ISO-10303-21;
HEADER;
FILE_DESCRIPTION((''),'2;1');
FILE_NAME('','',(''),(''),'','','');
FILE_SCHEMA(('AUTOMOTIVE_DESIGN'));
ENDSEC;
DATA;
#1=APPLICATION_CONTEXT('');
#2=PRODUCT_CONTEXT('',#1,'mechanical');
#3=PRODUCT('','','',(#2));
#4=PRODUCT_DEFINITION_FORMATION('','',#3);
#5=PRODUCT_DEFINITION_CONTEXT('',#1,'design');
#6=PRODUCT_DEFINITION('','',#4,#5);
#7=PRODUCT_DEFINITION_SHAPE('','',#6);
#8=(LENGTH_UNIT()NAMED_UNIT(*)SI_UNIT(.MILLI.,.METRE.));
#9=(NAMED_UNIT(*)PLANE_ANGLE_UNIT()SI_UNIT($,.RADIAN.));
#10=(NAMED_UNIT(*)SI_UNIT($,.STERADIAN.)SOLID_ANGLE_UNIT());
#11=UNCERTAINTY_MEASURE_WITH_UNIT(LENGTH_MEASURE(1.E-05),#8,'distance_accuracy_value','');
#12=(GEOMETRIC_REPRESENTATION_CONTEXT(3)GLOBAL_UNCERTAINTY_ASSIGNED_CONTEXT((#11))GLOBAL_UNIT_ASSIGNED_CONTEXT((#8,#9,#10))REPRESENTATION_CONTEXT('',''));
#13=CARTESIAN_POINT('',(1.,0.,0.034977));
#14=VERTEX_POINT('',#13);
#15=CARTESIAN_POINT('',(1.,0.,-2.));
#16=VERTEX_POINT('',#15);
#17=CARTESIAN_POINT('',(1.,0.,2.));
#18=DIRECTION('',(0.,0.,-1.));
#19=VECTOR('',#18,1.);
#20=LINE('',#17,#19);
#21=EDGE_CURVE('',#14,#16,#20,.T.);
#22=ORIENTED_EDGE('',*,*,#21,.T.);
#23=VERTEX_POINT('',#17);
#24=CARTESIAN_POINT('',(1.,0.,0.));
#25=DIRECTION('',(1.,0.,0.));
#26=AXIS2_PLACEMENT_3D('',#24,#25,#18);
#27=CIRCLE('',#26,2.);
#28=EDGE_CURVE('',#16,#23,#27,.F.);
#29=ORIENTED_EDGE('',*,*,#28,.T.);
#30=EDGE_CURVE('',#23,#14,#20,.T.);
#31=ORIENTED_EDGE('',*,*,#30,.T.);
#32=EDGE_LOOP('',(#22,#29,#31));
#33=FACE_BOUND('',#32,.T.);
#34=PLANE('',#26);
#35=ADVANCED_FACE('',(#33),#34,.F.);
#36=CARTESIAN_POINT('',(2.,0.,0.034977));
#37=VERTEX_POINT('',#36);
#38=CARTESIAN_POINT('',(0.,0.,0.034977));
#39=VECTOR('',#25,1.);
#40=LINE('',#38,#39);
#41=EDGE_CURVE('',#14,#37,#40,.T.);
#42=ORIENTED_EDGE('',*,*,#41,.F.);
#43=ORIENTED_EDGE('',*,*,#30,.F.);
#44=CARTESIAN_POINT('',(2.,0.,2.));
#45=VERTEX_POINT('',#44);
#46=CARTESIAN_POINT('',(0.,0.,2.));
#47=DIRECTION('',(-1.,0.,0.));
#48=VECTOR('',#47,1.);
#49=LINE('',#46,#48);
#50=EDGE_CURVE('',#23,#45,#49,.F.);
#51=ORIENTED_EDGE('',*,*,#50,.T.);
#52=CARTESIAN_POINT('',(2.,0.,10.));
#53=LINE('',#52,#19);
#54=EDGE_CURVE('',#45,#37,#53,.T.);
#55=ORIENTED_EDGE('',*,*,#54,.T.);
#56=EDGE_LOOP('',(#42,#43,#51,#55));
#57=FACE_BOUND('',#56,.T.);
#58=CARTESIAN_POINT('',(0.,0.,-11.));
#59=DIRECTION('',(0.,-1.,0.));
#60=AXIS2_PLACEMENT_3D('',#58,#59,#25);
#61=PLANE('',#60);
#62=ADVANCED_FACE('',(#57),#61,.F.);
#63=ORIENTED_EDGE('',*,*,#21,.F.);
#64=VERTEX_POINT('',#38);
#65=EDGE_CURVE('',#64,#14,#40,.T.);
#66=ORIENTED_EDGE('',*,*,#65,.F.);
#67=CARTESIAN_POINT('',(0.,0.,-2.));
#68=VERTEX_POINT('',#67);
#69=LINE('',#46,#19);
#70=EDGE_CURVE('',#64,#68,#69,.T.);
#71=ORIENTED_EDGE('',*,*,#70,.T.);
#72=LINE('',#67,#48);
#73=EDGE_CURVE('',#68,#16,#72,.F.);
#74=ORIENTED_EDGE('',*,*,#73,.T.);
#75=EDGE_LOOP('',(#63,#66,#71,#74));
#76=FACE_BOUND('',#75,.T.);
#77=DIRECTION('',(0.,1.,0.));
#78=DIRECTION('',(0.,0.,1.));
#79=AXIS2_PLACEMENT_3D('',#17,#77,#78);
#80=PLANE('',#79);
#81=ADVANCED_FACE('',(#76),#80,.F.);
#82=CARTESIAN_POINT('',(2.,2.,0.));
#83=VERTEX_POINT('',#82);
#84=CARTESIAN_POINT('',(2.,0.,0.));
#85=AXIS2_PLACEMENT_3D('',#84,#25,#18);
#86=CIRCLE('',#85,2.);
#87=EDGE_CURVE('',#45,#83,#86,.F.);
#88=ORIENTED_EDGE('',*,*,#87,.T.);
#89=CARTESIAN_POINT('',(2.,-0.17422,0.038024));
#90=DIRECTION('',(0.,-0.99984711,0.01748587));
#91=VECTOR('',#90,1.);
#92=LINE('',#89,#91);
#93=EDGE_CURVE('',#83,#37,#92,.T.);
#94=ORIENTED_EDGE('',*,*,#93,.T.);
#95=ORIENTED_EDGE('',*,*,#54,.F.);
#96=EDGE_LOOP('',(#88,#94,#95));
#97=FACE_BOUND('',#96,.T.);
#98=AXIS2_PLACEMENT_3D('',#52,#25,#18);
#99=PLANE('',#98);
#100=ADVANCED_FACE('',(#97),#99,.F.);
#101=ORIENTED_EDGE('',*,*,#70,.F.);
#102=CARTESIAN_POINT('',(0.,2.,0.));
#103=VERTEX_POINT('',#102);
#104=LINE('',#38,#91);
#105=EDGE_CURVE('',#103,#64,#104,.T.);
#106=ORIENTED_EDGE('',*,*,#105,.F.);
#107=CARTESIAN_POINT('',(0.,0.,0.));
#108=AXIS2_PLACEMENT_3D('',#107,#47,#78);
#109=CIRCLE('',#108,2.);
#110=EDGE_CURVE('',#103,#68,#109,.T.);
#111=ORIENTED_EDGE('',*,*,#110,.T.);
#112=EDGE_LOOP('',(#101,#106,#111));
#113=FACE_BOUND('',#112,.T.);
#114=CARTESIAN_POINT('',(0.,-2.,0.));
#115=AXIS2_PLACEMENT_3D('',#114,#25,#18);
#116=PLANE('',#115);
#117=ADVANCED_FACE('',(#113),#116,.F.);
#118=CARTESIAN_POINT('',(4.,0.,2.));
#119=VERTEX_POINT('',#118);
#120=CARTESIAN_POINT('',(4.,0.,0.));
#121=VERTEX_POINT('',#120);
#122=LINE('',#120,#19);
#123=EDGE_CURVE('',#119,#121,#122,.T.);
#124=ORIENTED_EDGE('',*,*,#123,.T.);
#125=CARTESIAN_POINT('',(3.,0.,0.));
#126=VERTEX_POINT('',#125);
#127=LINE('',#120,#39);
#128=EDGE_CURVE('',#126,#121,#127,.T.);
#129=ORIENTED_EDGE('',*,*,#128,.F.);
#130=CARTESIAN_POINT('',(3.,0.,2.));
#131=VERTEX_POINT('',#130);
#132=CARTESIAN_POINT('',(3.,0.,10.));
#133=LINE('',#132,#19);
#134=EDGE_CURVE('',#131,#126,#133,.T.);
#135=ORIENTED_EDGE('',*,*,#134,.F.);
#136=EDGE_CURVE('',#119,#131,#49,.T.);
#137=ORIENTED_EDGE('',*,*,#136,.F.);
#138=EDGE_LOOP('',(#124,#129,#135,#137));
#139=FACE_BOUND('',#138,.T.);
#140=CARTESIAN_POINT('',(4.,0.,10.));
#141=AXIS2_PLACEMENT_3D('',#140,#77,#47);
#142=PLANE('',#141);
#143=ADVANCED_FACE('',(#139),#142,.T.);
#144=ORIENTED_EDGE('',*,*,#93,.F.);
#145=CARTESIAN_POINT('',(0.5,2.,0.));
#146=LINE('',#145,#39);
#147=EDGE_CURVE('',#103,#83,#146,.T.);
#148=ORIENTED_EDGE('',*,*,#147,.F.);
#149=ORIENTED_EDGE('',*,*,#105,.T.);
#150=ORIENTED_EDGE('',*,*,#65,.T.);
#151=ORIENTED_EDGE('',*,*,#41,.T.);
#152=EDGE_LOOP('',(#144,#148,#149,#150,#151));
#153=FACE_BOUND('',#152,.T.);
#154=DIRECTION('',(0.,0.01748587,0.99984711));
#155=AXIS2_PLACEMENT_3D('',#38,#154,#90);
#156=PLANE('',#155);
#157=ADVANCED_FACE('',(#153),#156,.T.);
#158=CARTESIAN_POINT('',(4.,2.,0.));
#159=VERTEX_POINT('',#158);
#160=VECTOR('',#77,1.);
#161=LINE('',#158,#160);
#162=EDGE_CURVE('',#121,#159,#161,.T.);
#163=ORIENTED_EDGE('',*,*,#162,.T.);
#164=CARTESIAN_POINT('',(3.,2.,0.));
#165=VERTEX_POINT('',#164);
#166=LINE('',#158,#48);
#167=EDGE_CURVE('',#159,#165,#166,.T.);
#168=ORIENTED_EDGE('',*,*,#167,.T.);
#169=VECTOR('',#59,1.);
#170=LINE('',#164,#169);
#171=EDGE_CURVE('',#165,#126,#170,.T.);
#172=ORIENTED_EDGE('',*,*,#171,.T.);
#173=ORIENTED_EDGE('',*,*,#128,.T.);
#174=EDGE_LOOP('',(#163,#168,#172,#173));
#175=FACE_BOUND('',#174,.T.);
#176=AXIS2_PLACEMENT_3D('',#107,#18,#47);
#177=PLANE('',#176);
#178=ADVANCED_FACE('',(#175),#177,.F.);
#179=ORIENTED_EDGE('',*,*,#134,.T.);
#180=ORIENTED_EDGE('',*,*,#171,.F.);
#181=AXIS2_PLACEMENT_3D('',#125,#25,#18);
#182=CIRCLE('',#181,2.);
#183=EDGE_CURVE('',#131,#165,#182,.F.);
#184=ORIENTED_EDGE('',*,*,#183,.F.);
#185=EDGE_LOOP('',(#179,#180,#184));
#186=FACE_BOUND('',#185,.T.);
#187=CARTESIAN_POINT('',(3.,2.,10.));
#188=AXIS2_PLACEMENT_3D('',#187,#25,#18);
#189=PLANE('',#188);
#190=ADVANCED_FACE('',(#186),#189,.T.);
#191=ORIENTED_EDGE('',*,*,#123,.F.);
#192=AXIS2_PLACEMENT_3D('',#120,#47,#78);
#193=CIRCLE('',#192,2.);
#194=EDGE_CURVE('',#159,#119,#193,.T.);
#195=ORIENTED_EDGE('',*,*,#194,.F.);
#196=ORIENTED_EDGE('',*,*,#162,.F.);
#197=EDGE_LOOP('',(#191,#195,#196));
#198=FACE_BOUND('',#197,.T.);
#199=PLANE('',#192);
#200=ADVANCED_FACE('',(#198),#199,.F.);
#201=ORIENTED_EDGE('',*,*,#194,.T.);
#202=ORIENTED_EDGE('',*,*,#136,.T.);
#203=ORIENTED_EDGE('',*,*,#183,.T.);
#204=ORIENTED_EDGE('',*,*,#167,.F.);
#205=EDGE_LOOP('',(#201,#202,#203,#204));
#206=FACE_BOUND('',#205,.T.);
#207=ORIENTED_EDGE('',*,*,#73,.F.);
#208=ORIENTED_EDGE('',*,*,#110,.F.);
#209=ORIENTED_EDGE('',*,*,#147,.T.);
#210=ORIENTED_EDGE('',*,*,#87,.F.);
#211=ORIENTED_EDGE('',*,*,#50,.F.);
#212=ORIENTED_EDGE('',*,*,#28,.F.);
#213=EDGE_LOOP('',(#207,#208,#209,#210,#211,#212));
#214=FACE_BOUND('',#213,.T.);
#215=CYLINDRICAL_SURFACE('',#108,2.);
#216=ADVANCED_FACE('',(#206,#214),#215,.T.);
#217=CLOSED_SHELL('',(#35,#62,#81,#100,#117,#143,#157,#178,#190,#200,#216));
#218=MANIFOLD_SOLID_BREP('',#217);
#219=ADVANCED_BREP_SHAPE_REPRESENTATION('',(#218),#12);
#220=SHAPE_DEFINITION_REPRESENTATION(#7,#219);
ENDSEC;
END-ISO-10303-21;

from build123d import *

# Parameters (mm, degrees)
SKETCH5_W           = 4
SKETCH5_H           = 2
SKETCH6_W           = 1
SKETCH6_H           = 2
CUT_EXTRUDE5_DEPTH  = 11
SKETCH8_W           = 0.5
SKETCH8_H           = 2
CUT_EXTRUDE7_DEPTH  = 10
SKETCH9_W           = 1.5
SKETCH9_H           = 2
CUT_EXTRUDE8_DEPTH  = 10
BOSS_EXTRUDE1_DEPTH = 4
SKETCH13_W          = 4.449870591
SKETCH13_H          = 3.198188742
CUT_EXTRUDE10_DEPTH = 1
SKETCH14_W          = 1
SKETCH14_H          = 2
CUT_EXTRUDE11_DEPTH = 10


with BuildPart() as part:
    # Sketch5 → Revolve-Thin2 (revolve)
    with BuildSketch(Plane.XY):
        with Locations((2, 1)):
            Rectangle(SKETCH5_W, SKETCH5_H)
    revolve(axis=Axis((0, 0, 0), (1, 0, 0)))

    # Sketch6 → Cut-Extrude5 (cut)
    with BuildSketch(Plane.XY):
        with Locations((3.5, 1)):
            Rectangle(SKETCH6_W, SKETCH6_H)
        with Locations((0.5, 1)):
            Rectangle(SKETCH6_W, SKETCH6_H)
    extrude(amount=-CUT_EXTRUDE5_DEPTH, mode=Mode.SUBTRACT)

    # Sketch8 → Cut-Extrude7 (cut)
    with BuildSketch(Plane(origin=(0, 0, 0), x_dir=(-1, 0, 0), z_dir=(0, 0, -1))):
        with Locations((-0.25, 1)):
            Rectangle(SKETCH8_W, SKETCH8_H)
    extrude(amount=-CUT_EXTRUDE7_DEPTH, mode=Mode.SUBTRACT)

    # Sketch9 → Cut-Extrude8 (cut)
    with BuildSketch(Plane(origin=(0, 0, 0), x_dir=(-1, 0, 0), z_dir=(0, 0, -1))):
        with Locations((-1.25, 1)):
            Rectangle(SKETCH9_W, SKETCH9_H)
    extrude(amount=-CUT_EXTRUDE8_DEPTH, mode=Mode.SUBTRACT)

    # Sketch10 → Boss-Extrude1 (add)
    with BuildSketch(Plane(origin=(4, 0, 0), x_dir=(0, 0, -1), z_dir=(1, 0, 0))):
        with BuildLine():
            Line((2, 0), (-0.034977088, 0))
            Line((-0.034977088, 0), (0, 2))
            ThreePointArc((0, 2), (1.414213562, 1.414213562), (2, 0))
        make_face()
    extrude(amount=-BOSS_EXTRUDE1_DEPTH)

    # Sketch13 → Cut-Extrude10 (cut)
    with BuildSketch(Plane.ZY):
        with Locations((-0.224935296, -1.599094371)):
            Rectangle(SKETCH13_W, SKETCH13_H)
    extrude(amount=-CUT_EXTRUDE10_DEPTH, mode=Mode.SUBTRACT)

    # Sketch14 → Cut-Extrude11 (cut)
    with BuildSketch(Plane.XY):
        with Locations((3.5, 1)):
            Rectangle(SKETCH14_W, SKETCH14_H)
    extrude(amount=CUT_EXTRUDE11_DEPTH, mode=Mode.SUBTRACT)


solid = part.part
